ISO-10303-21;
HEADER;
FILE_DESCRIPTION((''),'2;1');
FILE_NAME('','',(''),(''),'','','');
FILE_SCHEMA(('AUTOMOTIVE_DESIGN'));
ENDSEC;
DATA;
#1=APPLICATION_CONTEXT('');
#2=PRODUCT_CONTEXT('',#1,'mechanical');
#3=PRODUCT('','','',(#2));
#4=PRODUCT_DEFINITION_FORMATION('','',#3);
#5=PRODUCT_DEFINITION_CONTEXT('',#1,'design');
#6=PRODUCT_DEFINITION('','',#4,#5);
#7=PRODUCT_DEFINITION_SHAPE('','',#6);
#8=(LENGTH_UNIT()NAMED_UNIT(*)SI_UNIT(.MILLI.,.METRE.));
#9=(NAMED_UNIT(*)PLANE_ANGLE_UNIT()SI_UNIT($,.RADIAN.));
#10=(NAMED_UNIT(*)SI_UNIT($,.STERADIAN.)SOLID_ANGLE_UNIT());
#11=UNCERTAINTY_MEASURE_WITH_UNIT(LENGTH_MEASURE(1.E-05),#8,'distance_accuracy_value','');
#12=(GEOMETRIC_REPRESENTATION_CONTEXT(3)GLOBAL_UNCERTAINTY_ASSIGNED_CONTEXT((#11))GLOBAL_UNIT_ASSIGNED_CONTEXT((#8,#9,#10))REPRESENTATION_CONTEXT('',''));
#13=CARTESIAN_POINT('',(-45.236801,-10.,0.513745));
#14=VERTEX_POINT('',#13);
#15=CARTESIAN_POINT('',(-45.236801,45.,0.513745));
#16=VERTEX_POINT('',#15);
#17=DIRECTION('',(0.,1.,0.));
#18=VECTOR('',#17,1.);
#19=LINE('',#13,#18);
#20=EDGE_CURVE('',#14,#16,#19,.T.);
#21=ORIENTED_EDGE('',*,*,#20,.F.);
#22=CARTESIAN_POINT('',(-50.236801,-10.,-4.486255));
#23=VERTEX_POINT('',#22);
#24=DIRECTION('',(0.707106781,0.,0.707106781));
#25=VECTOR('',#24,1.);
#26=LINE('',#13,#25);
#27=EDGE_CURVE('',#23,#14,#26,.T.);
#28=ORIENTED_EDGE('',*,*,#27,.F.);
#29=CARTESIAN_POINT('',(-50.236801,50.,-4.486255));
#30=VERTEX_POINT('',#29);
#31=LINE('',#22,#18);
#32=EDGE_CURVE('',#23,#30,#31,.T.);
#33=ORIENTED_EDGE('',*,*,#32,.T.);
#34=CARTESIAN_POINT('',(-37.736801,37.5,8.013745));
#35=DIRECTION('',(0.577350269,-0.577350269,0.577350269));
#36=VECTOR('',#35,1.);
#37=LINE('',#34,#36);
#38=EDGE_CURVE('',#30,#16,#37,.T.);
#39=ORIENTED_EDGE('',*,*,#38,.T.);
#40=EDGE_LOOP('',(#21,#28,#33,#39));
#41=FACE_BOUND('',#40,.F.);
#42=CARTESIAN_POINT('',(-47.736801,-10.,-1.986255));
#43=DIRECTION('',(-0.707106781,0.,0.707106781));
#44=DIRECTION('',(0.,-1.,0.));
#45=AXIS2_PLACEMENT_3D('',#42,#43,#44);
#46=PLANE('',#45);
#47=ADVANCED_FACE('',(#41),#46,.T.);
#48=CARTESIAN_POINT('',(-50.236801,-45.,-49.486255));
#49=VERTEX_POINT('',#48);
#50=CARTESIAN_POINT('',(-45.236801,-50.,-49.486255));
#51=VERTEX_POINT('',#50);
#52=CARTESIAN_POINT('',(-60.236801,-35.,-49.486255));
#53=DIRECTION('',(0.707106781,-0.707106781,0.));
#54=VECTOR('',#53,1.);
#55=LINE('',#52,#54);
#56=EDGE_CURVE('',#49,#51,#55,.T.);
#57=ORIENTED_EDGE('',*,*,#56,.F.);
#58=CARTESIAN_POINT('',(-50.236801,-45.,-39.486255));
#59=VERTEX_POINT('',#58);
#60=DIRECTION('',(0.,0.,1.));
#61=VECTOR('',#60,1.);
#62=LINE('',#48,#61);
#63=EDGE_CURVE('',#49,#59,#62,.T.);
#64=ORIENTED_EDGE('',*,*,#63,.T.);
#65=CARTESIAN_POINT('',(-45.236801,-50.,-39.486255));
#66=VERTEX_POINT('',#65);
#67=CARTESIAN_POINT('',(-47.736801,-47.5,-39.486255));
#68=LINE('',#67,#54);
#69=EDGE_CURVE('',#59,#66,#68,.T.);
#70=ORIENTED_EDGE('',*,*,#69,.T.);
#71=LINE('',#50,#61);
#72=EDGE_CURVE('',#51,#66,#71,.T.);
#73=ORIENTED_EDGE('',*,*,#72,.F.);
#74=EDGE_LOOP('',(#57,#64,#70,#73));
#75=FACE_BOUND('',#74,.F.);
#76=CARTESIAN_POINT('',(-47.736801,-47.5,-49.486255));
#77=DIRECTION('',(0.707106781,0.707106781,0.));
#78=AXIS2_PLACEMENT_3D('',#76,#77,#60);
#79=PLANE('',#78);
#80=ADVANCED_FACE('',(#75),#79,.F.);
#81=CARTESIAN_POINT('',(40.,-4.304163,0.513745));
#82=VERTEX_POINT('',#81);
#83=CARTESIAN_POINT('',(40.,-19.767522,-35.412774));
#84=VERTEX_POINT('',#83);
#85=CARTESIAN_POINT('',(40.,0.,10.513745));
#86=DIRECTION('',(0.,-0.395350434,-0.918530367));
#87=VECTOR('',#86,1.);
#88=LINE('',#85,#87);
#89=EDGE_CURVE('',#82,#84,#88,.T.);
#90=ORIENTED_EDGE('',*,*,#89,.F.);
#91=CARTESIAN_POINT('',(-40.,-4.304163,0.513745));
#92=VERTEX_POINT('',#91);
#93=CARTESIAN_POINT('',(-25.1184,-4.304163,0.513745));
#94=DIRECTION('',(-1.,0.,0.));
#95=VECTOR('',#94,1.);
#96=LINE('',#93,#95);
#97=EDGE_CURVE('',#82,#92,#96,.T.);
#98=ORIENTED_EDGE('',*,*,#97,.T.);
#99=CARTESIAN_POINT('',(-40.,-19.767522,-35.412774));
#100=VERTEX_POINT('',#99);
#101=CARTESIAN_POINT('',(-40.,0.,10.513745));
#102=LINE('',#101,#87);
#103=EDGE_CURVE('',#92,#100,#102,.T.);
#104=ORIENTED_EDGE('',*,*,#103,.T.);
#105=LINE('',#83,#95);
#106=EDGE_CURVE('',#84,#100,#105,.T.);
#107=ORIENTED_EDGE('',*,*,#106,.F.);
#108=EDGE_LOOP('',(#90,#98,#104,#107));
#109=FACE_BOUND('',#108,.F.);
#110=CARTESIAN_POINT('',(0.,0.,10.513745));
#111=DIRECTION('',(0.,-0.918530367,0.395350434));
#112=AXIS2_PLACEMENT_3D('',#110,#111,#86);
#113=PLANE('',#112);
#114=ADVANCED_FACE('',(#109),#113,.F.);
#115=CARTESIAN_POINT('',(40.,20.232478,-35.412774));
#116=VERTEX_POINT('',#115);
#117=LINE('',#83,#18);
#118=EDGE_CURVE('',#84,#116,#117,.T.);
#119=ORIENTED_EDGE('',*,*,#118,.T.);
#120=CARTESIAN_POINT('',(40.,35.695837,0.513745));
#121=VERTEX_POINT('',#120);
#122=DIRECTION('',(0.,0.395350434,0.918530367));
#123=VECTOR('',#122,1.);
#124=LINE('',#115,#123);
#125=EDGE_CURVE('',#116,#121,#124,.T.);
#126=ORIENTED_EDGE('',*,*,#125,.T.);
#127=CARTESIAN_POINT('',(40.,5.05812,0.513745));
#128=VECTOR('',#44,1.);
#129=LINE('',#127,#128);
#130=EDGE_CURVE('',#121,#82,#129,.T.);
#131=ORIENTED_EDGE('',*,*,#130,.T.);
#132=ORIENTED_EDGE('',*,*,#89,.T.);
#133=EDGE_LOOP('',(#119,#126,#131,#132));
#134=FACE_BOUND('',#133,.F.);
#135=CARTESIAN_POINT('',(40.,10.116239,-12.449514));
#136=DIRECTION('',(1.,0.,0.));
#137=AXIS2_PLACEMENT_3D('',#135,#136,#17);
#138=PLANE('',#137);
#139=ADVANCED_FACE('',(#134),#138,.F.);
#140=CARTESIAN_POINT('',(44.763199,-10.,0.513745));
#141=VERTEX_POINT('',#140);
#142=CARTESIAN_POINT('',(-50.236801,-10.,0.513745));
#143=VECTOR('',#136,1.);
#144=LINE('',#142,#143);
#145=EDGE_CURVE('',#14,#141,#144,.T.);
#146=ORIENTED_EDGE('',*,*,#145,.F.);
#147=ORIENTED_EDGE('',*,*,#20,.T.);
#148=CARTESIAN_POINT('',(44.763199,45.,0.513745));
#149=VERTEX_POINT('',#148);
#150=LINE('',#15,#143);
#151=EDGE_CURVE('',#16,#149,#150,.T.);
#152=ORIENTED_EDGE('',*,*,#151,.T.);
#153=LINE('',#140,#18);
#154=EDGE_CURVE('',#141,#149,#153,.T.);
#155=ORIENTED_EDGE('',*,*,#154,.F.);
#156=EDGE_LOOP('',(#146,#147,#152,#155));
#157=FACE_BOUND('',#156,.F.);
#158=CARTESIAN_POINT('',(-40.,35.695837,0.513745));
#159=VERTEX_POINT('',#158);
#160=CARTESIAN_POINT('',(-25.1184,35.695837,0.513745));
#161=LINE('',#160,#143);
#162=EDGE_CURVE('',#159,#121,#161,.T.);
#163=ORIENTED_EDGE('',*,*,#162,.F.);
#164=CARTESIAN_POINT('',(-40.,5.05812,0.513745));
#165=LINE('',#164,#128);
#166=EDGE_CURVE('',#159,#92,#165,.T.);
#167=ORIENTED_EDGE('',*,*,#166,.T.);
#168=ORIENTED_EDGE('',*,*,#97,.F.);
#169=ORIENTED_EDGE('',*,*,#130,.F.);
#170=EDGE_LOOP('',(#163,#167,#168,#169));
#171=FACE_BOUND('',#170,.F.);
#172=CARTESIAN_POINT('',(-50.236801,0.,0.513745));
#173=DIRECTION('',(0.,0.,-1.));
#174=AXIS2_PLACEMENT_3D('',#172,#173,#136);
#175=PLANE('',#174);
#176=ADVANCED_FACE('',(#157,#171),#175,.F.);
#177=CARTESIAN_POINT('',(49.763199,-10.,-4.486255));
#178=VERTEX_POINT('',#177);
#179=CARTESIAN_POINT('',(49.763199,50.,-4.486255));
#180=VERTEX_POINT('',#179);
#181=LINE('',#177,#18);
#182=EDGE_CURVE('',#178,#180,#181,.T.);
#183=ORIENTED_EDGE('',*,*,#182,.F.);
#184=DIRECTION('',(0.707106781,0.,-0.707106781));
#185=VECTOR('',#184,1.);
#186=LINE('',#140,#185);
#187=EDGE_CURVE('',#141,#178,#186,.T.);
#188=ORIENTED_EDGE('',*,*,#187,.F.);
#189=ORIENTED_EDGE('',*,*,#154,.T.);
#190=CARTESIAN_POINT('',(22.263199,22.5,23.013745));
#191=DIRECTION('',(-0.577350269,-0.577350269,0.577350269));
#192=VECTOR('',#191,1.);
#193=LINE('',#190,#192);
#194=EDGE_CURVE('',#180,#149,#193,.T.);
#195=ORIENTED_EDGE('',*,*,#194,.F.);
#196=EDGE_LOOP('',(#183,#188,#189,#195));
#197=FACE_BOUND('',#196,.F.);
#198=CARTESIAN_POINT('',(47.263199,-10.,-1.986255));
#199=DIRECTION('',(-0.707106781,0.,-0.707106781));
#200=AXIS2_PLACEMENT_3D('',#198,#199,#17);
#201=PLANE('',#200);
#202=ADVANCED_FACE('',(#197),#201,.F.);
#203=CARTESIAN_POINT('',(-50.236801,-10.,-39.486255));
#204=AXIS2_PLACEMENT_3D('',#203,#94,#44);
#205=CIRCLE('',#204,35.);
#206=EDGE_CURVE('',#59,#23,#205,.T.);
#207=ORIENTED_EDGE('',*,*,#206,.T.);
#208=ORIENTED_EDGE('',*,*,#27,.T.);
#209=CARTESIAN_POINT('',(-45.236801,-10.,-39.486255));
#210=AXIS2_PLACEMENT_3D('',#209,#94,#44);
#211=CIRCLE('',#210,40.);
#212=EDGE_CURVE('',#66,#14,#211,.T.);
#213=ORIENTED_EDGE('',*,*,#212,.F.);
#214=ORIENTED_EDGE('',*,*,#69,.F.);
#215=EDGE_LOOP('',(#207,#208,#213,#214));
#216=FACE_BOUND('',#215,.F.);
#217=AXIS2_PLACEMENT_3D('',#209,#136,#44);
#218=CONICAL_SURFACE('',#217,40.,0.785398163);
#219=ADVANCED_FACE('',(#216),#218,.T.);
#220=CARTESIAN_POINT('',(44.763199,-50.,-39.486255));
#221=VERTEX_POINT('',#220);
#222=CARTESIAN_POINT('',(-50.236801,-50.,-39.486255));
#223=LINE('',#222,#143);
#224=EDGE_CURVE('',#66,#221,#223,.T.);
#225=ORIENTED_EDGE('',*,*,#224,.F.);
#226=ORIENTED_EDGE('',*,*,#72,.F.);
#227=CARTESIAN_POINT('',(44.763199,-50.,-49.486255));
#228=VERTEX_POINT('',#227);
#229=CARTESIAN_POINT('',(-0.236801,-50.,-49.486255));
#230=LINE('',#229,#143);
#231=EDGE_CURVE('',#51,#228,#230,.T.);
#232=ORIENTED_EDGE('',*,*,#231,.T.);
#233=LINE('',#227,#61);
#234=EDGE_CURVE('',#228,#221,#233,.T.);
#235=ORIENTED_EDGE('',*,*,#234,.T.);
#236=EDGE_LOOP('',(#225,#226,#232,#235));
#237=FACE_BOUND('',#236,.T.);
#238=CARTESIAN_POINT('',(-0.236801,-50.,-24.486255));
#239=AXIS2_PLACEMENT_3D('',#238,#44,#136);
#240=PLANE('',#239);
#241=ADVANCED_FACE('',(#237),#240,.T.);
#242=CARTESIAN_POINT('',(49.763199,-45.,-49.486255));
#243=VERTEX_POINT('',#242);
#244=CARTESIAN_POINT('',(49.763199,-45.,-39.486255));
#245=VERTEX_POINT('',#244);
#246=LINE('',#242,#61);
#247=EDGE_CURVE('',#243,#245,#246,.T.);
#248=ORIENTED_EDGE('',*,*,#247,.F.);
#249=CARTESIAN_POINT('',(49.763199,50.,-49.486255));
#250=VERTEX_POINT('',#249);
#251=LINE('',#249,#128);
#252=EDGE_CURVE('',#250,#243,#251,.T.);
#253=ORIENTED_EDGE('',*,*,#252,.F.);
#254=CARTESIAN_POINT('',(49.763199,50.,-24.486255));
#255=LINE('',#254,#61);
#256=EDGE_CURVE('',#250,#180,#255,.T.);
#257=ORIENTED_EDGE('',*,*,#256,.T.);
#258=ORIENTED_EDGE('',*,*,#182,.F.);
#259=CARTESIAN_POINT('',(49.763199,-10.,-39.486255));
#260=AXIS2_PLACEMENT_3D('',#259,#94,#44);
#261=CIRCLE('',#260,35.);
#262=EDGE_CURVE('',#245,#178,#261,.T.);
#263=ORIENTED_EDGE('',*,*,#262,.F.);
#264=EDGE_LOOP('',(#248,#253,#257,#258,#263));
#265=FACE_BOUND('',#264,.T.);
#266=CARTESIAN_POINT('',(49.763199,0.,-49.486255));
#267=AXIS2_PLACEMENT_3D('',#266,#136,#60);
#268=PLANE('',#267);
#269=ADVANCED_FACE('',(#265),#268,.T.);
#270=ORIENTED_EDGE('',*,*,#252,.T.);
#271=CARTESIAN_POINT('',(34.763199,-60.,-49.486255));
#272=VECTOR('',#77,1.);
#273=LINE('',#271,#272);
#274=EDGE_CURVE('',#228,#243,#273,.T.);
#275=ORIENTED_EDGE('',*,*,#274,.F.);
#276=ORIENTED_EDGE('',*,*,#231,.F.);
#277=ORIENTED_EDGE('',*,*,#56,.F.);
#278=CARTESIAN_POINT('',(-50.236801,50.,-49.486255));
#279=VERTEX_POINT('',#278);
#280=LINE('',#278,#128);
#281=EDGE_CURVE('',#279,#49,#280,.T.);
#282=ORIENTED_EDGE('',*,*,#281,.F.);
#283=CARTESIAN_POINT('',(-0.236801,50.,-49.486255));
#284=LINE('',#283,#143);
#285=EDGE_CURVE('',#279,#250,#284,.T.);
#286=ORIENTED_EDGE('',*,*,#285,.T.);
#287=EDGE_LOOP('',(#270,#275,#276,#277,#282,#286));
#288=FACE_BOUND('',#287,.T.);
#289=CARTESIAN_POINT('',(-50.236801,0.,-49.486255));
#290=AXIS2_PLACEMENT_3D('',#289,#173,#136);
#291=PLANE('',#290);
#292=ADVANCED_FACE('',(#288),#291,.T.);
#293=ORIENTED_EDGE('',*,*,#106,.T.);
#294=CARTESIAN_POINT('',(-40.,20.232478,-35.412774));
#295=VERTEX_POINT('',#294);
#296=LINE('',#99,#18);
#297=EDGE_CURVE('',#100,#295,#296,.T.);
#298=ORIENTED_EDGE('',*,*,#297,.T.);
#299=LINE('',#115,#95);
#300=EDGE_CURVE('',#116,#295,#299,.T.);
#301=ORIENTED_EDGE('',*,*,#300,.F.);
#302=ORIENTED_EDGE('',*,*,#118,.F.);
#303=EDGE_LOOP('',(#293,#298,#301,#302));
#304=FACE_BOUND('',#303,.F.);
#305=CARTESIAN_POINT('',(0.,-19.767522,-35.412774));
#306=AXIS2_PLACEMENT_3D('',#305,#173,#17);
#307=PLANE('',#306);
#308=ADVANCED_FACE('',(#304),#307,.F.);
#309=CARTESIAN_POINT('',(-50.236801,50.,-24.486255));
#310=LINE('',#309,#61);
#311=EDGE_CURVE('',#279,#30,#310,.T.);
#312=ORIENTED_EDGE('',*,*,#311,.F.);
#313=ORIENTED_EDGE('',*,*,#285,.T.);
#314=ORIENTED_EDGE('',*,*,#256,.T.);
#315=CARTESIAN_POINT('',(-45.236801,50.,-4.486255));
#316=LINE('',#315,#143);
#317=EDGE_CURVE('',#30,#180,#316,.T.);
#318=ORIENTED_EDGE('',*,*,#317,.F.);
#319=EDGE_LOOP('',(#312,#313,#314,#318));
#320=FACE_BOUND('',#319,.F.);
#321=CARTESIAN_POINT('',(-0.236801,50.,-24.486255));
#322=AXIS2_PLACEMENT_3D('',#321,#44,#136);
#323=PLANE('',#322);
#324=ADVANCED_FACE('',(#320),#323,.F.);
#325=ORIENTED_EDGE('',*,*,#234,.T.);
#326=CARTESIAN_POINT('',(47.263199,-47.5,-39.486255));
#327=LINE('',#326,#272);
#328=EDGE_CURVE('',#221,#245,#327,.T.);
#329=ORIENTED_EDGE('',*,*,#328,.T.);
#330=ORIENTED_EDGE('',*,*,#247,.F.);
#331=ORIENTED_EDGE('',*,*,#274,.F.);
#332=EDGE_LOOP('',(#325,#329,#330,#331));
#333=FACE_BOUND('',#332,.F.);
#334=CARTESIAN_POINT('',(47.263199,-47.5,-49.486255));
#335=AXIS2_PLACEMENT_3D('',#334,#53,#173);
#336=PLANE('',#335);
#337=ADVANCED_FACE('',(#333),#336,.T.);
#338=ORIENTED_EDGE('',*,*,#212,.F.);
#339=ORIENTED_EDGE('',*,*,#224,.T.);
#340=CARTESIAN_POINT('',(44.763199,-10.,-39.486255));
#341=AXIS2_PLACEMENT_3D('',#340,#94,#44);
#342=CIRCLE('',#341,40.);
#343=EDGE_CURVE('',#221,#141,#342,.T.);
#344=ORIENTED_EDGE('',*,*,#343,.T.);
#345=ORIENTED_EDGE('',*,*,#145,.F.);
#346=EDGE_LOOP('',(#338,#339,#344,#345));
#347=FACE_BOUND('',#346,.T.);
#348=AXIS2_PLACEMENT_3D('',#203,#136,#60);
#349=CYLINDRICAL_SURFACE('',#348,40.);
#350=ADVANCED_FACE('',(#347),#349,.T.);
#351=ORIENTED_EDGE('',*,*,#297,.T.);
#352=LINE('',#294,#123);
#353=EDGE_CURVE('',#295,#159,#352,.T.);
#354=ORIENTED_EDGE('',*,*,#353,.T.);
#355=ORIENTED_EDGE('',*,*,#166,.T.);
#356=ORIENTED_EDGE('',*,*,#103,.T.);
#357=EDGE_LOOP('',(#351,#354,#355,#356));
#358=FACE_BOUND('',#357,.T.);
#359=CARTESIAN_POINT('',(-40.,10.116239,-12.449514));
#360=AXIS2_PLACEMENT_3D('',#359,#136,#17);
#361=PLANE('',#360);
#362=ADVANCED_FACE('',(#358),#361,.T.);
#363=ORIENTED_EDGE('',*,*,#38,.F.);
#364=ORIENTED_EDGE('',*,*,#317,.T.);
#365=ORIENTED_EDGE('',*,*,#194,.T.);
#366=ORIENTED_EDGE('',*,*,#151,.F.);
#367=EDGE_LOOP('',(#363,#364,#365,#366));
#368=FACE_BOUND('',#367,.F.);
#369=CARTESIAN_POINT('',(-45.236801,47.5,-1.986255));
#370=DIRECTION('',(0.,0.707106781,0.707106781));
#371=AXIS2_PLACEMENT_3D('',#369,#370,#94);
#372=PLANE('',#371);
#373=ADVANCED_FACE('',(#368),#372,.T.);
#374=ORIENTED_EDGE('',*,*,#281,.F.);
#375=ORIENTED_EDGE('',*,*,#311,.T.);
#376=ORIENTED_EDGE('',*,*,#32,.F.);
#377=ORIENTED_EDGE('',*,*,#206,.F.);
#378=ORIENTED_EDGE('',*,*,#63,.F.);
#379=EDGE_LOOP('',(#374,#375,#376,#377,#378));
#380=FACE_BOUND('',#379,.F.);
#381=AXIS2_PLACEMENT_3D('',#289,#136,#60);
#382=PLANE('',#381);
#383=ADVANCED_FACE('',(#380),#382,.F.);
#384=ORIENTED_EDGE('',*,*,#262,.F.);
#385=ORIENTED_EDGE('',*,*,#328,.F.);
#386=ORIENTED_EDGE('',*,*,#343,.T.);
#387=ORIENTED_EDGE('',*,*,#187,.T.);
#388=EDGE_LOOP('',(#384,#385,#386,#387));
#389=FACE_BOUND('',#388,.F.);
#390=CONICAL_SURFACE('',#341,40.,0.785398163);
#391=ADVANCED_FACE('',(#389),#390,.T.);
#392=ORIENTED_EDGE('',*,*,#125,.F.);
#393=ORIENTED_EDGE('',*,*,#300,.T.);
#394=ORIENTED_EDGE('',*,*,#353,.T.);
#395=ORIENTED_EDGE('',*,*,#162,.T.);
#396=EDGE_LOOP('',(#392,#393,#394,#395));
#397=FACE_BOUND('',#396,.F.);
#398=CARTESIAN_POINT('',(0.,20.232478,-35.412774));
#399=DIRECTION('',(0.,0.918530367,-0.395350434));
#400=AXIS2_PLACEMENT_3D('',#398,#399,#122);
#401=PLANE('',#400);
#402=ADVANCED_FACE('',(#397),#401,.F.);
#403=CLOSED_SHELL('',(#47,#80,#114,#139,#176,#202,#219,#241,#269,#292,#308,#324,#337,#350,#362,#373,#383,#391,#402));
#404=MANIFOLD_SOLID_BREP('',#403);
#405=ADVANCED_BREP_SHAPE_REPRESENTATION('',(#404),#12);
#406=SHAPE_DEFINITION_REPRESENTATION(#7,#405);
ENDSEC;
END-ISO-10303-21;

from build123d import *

# Parameters (mm, degrees)
F0_W     = 100
F0_H     = 50
F1_DEPTH = 50
F3_DEPTH = 40
F4_R     = 40
F5_SIZE  = 5
F6_SIZE  = 5
F7_SIZE  = 5


with BuildPart() as f1:
    # F0 (on Front) → F1 (new body, symmetric)
    with BuildSketch(Plane.XZ):
        with Locations((-0.236801, -24.486255)):
            Rectangle(F0_W, F0_H)
    extrude(amount=F1_DEPTH, both=True)

    # F2 (on Right) → F3 (cut, symmetric)
    with BuildSketch(Plane.YZ):
        Polygon((20.232478, -35.412774), (40, 10.513745), (0, 10.513745), (-19.767522, -35.412774), align=None)
    extrude(amount=F3_DEPTH, both=True, mode=Mode.SUBTRACT)

    # F4
    f4_edges = [f1.edges().sort_by_distance(p)[0] for p in [
        (-0.236801, -50, 0.513745),
    ]]
    fillet(f4_edges, radius=F4_R)

    # F5
    f5_edges = [f1.edges().sort_by_distance(p)[0] for p in [
        (-50.236801, 20, 0.513745),
    ]]
    chamfer(f5_edges, length=F5_SIZE)

    # F6
    f6_edges = [f1.edges().sort_by_distance(p)[0] for p in [
        (49.763199, 20, 0.513745),
    ]]
    chamfer(f6_edges, length=F6_SIZE)

    # F7
    f7_edges = [f1.edges().sort_by_distance(p)[0] for p in [
        (-0.236801, 50, 0.513745),
    ]]
    chamfer(f7_edges, length=F7_SIZE)


solid = f1.part
